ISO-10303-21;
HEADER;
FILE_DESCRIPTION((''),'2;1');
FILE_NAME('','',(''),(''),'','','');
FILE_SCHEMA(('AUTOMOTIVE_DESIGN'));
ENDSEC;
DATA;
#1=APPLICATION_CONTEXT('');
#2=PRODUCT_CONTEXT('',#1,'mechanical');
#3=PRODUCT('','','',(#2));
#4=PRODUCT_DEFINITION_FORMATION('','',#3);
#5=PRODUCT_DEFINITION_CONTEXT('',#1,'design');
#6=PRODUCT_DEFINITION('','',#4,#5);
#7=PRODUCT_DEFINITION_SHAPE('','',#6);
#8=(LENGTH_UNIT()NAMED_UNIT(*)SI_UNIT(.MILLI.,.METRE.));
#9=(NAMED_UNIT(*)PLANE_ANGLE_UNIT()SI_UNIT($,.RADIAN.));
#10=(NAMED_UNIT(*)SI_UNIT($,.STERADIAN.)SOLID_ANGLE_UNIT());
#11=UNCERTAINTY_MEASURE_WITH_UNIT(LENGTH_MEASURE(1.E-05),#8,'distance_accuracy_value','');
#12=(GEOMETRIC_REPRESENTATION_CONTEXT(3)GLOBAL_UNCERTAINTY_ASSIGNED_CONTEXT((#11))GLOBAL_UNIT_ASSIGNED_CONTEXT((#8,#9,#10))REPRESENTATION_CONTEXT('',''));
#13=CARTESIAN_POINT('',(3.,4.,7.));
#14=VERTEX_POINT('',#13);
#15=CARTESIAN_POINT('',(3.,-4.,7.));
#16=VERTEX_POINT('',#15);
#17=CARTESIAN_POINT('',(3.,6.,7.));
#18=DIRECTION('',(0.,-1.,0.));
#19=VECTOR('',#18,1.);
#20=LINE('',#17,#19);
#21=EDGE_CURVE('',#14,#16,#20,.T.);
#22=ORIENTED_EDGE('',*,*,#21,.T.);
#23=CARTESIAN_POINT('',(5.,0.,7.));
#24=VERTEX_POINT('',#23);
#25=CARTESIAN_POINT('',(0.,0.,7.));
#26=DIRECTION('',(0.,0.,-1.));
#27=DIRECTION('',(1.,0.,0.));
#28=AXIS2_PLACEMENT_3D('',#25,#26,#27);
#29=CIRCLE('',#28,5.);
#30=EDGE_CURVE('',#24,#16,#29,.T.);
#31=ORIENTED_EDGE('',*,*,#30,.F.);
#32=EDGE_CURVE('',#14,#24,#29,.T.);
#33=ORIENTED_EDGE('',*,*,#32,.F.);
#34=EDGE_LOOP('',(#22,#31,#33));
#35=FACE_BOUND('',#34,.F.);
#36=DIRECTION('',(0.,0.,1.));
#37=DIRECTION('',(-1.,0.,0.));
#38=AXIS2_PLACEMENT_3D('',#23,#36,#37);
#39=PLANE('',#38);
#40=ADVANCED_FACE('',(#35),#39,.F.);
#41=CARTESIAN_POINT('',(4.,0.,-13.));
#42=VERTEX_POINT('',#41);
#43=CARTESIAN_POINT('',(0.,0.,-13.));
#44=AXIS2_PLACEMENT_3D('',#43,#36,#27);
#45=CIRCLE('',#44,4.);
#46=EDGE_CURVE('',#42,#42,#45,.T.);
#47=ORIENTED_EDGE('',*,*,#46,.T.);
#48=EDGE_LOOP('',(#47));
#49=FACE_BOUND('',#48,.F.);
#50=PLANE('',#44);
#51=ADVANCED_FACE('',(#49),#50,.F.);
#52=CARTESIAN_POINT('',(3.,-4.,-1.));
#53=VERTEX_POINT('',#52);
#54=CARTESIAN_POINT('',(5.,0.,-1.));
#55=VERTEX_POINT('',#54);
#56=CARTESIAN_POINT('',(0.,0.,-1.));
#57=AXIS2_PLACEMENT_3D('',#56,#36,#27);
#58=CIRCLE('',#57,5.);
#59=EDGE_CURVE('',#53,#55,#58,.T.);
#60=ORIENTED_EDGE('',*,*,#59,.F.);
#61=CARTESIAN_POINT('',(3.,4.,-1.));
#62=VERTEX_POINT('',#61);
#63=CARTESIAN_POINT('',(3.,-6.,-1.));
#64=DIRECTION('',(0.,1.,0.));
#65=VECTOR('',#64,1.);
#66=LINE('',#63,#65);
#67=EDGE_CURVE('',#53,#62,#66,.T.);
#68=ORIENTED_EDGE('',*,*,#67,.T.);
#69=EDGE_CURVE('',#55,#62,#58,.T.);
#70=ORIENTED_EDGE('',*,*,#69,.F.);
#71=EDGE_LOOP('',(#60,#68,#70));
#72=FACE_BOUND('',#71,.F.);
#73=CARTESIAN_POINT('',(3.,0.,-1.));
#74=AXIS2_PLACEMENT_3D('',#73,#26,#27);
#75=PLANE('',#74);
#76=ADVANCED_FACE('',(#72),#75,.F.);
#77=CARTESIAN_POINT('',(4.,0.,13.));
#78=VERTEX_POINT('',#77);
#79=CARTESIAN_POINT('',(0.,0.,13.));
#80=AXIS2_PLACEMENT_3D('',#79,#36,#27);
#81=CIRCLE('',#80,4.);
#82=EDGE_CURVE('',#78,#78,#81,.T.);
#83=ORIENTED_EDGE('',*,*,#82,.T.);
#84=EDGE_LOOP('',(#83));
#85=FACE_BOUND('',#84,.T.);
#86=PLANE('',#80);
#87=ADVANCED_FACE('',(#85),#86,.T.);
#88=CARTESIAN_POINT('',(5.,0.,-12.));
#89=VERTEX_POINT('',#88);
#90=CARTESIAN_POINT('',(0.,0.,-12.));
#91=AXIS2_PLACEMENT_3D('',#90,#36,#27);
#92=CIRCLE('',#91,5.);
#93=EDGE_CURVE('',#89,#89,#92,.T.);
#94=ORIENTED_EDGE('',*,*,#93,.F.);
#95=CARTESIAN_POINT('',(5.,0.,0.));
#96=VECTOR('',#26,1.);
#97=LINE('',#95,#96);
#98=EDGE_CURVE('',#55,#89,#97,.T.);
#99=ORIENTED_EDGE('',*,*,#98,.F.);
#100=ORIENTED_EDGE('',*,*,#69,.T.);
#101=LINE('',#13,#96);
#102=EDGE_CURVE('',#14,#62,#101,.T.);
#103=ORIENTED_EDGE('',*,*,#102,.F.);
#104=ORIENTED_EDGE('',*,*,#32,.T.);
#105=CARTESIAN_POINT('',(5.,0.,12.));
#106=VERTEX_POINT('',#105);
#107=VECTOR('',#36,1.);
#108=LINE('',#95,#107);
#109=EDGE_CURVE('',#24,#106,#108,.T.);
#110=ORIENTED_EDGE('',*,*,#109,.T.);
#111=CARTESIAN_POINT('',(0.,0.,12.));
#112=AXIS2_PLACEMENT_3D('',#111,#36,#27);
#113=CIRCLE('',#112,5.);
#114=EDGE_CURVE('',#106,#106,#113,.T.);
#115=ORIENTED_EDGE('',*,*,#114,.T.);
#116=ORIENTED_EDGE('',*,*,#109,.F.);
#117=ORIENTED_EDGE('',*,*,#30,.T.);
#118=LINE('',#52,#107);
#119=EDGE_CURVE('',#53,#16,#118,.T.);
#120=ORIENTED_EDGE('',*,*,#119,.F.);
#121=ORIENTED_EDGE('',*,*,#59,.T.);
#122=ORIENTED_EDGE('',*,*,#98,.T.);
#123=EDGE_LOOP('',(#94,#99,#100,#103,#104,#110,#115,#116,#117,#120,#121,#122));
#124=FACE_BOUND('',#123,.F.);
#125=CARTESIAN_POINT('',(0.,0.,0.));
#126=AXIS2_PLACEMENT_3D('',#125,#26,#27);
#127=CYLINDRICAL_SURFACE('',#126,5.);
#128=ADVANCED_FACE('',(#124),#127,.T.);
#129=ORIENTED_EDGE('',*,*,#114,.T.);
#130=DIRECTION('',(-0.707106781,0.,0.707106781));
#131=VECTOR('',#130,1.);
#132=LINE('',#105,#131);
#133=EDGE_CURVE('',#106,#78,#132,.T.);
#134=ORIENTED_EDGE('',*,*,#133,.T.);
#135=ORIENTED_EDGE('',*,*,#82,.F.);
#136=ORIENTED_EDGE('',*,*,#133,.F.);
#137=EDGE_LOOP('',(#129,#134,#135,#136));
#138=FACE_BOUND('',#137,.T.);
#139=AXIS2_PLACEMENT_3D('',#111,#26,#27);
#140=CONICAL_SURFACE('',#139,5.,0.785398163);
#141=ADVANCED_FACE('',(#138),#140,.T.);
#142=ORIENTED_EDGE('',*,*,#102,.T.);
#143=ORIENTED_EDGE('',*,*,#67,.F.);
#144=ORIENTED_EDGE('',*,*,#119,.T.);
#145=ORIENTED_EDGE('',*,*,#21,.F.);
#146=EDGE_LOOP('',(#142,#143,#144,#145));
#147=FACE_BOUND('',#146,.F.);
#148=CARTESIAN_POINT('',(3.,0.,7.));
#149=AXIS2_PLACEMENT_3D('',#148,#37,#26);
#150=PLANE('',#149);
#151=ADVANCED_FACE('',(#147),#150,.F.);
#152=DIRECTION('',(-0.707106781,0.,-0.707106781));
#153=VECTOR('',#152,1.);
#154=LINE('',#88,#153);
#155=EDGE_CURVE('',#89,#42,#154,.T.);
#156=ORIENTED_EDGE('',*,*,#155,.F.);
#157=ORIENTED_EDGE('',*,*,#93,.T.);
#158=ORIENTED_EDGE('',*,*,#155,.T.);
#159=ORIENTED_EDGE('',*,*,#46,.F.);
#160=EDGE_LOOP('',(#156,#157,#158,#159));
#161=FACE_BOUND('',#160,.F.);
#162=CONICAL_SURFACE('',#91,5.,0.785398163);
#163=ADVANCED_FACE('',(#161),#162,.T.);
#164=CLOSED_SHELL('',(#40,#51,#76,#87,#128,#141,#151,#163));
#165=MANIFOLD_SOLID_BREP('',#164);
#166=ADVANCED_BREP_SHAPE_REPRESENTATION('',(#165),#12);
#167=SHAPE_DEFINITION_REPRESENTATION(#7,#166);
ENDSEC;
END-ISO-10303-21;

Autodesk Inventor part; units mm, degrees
ref_plane "XY Plane" through (0, 0, 0) normal (0, 0, 1) x (1, 0, 0)
sketch "Sketch1" plane through (0, 0, 0) normal (0, 0, 1) x (1, 0, 0)
  circle A0 centre (0, 0) radius 5
  dimension "d0" = 10
extrude "Extrusion1" add sketch "Sketch1" along normal mid plane 26
chamfer "Chamfer1" distance 1 angle 45 2 edges at (-5, 0, 13) (-5, 0, -13)
sketch "Sketch2" plane through (0, 0, 0) normal (0, 1, 0) x (-1, 0, 0)
  line L0 (-5, -12) -> (-5, 12) projected
  line L1 (-5, 7) -> (-3, 7)
  line L2 (-3, 7) -> (-3, -1)
  line L3 (-3, -1) -> (-5, -1)
  line L4 (-5, -1) -> (-5, 7)
  line L5 (-4, 13) -> (4, 13) projected
  dimension "d5" = 2
  dimension "d6" = 8
  dimension "d7" = 6
extrude "Extrusion2" cut sketch "Sketch2" along normal through all both and the other way through all
ref_plane "Work Plane1" through (3, -4, 3) normal (0, 0, 1) x (1, 0, 0)
properties part number "TU-011"
